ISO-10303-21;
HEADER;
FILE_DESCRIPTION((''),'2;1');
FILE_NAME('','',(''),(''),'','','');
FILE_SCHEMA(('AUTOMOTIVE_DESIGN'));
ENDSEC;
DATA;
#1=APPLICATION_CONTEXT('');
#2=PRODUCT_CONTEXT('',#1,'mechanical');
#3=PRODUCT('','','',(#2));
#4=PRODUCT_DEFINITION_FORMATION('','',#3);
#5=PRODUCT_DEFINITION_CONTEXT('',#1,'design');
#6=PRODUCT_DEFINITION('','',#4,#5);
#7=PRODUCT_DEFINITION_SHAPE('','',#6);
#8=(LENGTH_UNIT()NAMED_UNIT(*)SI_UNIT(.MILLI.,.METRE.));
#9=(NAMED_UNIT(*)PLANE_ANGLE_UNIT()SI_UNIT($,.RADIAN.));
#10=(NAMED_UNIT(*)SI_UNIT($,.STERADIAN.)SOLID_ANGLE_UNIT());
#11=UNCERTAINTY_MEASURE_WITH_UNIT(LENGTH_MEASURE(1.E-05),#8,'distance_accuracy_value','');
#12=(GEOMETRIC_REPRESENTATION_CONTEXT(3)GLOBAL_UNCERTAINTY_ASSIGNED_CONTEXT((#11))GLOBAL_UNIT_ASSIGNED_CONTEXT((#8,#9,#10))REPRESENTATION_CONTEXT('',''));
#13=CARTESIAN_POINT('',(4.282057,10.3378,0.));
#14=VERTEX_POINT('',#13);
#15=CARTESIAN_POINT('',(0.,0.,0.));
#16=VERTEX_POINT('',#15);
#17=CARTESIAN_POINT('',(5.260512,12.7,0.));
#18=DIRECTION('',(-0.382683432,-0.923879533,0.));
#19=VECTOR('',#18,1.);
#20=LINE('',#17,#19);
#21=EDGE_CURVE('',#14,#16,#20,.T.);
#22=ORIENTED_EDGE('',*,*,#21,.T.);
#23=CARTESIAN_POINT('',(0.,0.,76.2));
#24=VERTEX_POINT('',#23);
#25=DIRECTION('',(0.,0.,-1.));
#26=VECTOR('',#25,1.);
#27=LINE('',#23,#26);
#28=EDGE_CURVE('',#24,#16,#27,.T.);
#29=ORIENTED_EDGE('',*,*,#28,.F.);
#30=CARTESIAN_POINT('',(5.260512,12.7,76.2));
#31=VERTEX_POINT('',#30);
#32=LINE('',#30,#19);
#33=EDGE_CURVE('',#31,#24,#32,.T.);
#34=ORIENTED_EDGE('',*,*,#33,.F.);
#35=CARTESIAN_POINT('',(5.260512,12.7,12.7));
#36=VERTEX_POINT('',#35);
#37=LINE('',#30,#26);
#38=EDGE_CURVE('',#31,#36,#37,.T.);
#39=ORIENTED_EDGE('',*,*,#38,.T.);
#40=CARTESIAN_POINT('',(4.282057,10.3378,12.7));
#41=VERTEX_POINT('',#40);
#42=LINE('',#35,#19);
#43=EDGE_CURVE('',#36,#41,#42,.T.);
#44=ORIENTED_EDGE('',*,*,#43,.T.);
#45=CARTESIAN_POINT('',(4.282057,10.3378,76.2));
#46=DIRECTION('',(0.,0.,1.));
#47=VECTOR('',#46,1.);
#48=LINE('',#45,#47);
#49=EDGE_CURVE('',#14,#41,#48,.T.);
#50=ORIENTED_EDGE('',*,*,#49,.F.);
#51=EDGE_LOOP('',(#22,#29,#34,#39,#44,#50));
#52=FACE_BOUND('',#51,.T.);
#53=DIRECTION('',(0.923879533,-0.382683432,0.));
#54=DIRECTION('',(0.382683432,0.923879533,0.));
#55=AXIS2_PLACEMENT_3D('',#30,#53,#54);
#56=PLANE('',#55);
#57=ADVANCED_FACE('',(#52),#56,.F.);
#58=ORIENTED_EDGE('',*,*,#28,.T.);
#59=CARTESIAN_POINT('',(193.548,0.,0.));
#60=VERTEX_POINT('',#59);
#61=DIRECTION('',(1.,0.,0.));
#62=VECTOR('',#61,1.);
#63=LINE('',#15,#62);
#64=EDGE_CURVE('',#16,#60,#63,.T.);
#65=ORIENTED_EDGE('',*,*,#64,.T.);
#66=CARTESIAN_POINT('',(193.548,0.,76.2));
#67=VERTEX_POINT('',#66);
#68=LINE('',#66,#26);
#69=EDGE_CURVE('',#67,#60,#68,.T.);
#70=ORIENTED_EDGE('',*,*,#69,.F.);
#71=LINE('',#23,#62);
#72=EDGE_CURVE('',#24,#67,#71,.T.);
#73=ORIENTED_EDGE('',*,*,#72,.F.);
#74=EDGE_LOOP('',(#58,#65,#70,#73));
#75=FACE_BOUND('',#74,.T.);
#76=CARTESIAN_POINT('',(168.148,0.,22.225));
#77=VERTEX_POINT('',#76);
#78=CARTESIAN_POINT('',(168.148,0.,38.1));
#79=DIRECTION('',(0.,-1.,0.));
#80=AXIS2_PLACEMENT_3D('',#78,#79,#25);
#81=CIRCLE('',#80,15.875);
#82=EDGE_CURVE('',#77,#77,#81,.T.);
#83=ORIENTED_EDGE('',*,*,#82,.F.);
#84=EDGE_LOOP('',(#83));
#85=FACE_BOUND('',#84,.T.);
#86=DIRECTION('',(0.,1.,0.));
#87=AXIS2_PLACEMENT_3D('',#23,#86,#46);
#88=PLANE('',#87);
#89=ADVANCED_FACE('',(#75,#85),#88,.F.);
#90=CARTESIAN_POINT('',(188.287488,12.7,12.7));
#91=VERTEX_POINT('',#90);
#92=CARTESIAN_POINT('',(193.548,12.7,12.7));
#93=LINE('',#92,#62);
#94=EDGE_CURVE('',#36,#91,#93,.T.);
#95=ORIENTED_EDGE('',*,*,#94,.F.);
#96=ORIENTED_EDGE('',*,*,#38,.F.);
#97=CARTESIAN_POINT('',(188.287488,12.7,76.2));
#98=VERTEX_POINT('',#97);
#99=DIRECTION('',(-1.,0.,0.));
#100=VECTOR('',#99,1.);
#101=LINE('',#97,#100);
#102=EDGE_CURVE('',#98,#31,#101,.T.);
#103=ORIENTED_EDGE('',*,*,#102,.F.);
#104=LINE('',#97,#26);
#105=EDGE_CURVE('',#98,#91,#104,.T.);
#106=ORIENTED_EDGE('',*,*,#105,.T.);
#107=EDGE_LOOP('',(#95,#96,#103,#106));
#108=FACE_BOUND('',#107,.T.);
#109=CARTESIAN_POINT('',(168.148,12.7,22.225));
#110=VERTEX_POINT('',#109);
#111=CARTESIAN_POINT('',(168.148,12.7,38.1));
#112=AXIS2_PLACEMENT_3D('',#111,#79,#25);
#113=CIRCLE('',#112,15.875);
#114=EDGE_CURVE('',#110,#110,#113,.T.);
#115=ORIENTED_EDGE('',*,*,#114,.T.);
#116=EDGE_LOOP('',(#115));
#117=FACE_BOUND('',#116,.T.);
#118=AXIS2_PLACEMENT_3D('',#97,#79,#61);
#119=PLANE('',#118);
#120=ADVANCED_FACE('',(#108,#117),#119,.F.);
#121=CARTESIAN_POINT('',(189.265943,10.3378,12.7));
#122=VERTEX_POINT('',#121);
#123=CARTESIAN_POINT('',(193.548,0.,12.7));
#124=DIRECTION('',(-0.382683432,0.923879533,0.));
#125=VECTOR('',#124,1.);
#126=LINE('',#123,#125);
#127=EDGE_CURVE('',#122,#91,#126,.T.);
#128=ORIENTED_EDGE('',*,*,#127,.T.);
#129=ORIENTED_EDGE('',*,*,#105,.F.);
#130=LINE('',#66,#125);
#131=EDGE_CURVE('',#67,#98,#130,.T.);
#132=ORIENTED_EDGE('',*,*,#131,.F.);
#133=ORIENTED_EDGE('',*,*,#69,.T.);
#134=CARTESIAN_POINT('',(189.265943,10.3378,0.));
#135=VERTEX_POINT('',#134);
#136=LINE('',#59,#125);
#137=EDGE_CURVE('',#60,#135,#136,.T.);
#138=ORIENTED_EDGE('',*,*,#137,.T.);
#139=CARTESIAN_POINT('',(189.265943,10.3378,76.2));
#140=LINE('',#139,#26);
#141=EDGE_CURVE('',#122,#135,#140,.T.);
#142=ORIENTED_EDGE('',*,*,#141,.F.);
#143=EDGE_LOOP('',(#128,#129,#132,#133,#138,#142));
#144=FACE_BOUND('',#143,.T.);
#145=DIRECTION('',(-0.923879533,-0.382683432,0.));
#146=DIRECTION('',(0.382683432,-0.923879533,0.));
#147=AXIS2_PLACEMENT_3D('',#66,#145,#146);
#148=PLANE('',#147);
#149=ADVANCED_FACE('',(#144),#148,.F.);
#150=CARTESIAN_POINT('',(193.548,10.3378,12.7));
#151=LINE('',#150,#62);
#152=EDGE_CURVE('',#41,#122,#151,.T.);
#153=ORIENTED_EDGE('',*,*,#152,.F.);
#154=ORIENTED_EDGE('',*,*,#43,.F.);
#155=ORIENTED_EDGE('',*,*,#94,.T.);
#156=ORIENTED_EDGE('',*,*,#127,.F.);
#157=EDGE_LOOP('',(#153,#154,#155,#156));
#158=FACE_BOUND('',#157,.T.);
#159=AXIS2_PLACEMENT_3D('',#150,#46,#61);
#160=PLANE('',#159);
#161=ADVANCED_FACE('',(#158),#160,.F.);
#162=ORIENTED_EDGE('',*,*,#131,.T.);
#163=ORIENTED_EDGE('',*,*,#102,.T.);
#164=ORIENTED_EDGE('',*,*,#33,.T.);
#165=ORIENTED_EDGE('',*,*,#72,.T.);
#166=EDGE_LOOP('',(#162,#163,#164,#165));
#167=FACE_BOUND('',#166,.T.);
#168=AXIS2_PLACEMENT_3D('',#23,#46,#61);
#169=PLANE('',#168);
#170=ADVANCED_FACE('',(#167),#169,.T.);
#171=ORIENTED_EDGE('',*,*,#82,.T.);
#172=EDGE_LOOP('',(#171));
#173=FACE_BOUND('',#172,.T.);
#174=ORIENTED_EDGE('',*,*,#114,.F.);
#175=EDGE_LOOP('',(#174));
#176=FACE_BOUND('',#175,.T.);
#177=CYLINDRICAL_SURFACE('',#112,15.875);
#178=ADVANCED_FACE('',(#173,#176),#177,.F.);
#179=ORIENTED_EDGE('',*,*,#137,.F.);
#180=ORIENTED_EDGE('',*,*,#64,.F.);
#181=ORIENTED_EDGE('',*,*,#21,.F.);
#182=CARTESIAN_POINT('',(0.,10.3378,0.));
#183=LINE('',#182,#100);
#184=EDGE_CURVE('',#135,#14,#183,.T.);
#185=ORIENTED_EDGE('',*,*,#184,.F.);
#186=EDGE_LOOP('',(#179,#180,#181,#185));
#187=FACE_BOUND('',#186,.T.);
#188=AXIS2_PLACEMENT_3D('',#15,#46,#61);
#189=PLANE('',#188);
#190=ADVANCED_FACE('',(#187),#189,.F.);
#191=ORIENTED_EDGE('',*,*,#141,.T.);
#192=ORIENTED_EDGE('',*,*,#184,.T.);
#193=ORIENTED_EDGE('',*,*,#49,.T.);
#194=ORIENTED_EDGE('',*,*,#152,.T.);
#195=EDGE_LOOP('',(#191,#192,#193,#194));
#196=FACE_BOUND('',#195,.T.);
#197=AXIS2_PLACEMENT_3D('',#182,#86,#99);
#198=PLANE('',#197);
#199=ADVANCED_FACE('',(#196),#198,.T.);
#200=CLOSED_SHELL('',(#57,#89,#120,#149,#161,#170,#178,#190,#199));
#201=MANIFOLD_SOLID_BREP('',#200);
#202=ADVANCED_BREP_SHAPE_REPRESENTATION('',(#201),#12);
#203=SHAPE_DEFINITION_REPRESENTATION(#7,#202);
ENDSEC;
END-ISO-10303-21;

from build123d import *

# Parameters (mm, degrees)
BOSS_EXTRUDE1_DEPTH = 76.2
SKETCH2_W           = 193.548
SKETCH2_H           = 12.7
CUT_EXTRUDE1_DEPTH  = 2.3622
SKETCH3_R           = 15.875
CUT_EXTRUDE2_DEPTH  = 13.7


with BuildPart() as part:
    # Sketch1 → Boss-Extrude1 (new body)
    with BuildSketch(Plane.XY):
        Polygon((0, 0), (193.548, 0), (188.287487758, 12.7), (5.260512242, 12.7), align=None)
    extrude(amount=BOSS_EXTRUDE1_DEPTH)

    # Sketch2 → Cut-Extrude1 (cut)
    with BuildSketch(Plane(origin=(0, 12.7, 0), x_dir=(1, 0, 0), z_dir=(0, 1, 0))):
        with Locations((96.774, -6.35)):
            Rectangle(SKETCH2_W, SKETCH2_H)
    extrude(amount=-CUT_EXTRUDE1_DEPTH, mode=Mode.SUBTRACT)

    # Sketch3 → Cut-Extrude2 (cut, through all)
    with BuildSketch(Plane.XZ):
        with Locations((168.148, 38.1)):
            Circle(SKETCH3_R)
    extrude(amount=-CUT_EXTRUDE2_DEPTH, mode=Mode.SUBTRACT)


solid = part.part
